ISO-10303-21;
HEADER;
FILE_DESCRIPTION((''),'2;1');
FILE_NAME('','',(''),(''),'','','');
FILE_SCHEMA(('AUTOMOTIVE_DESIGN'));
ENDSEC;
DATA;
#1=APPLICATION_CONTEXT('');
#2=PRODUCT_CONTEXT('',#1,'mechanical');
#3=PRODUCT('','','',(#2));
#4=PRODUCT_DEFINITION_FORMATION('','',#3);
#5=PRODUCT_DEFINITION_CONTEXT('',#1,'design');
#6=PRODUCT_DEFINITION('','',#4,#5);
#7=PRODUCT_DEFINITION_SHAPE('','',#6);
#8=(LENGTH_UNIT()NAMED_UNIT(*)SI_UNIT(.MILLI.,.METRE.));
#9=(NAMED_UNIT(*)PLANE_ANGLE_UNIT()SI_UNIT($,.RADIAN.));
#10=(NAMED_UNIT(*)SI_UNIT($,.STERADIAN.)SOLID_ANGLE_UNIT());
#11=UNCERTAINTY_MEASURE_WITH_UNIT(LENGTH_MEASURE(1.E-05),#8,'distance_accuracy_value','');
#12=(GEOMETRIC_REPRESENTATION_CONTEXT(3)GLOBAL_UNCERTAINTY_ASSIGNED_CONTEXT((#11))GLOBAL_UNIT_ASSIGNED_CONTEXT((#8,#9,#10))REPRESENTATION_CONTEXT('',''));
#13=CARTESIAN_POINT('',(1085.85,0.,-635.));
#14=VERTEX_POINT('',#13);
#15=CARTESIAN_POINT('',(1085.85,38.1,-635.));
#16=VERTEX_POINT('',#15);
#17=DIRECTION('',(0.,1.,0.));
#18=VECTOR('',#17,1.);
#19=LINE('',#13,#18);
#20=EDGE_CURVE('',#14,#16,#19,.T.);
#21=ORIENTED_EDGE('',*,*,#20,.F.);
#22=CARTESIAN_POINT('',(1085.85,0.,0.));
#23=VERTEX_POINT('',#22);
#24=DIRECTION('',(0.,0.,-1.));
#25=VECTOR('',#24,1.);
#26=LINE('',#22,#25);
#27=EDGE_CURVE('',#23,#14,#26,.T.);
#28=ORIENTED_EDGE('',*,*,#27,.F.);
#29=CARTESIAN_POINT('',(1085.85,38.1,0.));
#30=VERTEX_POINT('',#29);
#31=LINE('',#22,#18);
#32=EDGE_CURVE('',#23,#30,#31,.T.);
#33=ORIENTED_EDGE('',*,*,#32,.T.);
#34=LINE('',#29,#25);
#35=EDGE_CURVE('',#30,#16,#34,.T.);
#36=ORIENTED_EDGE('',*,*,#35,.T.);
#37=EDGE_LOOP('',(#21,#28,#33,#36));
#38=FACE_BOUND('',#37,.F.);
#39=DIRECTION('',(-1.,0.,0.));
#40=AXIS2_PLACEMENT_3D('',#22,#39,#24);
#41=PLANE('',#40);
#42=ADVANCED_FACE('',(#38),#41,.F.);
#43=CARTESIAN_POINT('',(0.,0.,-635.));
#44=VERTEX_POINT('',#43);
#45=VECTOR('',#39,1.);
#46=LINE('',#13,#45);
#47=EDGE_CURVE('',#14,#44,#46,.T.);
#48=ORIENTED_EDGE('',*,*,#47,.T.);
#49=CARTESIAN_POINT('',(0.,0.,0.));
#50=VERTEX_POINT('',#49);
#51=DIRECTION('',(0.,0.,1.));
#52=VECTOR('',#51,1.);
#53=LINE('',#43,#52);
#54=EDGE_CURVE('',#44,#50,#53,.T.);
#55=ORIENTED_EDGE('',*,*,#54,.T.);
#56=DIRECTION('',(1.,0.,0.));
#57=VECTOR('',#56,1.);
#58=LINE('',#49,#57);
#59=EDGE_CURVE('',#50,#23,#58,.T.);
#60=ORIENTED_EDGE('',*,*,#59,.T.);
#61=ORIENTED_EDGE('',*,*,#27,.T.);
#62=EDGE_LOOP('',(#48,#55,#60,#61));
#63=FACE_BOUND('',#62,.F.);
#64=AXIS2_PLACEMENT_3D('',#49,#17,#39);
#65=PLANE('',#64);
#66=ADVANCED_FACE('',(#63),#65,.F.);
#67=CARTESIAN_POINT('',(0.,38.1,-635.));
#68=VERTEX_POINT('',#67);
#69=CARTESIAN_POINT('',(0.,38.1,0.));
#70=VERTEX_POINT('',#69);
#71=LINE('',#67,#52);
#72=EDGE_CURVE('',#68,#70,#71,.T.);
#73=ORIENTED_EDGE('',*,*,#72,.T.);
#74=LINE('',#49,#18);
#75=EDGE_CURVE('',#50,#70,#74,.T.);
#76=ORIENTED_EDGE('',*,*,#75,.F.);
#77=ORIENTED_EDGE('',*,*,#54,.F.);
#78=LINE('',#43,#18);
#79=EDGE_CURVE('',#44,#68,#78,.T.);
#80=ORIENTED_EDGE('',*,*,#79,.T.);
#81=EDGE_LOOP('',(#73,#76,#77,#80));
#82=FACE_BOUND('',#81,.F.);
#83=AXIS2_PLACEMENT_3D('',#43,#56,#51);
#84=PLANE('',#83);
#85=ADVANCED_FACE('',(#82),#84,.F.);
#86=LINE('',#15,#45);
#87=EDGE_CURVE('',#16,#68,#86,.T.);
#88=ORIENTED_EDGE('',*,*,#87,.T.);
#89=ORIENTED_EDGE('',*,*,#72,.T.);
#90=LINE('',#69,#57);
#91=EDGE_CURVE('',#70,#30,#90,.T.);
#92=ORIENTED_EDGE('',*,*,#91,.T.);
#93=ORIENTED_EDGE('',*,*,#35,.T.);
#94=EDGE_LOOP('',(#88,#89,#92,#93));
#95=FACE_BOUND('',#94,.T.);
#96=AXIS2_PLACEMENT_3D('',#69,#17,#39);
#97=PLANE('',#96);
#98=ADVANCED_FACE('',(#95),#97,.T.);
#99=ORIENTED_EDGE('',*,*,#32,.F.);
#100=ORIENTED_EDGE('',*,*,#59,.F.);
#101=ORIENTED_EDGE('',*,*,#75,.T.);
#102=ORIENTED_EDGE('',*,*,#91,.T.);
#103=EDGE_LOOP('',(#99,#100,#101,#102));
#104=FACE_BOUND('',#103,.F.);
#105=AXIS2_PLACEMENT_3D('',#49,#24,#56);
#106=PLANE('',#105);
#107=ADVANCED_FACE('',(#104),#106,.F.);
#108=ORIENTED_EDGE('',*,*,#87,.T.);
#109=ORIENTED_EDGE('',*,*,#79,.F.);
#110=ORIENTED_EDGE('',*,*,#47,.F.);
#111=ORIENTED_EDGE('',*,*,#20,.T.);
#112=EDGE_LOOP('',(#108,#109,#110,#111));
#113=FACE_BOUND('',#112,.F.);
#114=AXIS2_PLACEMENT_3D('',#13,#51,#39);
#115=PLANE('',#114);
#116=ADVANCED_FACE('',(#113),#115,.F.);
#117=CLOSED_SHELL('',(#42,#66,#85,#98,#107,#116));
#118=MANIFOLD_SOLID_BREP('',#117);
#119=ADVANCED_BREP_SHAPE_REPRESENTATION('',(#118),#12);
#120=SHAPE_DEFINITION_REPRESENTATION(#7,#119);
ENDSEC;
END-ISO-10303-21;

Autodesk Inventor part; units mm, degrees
ref_plane "YZ Plane" through (0, 0, 0) normal (1, 0, 0) x (0, 1, 0)
ref_plane "XZ Plane" through (0, 0, 0) normal (0, 1, 0) x (-1, 0, 0)
ref_plane "XY Plane" through (0, 0, 0) normal (0, 0, 1) x (1, 0, 0)
sketch "Sketch1" plane through (0, 0, 0) normal (0, 1, 0) x (-1, 0, 0)
  line L0 (0, 0) -> (-1085.85, 0)
  line L1 (-1085.85, 0) -> (-1085.85, -635)
  line L2 (-1085.85, -635) -> (0, -635)
  line L3 (0, -635) -> (0, 0)
  dimension "d6" = 635
  dimension "d7" = 1085.85
extrude "Extrusion1" add sketch "Sketch1" along normal blind 38.1
properties part number "Butcher_Block--1.5_x_24_x_42.75_in" material "Wood (Birch)"
